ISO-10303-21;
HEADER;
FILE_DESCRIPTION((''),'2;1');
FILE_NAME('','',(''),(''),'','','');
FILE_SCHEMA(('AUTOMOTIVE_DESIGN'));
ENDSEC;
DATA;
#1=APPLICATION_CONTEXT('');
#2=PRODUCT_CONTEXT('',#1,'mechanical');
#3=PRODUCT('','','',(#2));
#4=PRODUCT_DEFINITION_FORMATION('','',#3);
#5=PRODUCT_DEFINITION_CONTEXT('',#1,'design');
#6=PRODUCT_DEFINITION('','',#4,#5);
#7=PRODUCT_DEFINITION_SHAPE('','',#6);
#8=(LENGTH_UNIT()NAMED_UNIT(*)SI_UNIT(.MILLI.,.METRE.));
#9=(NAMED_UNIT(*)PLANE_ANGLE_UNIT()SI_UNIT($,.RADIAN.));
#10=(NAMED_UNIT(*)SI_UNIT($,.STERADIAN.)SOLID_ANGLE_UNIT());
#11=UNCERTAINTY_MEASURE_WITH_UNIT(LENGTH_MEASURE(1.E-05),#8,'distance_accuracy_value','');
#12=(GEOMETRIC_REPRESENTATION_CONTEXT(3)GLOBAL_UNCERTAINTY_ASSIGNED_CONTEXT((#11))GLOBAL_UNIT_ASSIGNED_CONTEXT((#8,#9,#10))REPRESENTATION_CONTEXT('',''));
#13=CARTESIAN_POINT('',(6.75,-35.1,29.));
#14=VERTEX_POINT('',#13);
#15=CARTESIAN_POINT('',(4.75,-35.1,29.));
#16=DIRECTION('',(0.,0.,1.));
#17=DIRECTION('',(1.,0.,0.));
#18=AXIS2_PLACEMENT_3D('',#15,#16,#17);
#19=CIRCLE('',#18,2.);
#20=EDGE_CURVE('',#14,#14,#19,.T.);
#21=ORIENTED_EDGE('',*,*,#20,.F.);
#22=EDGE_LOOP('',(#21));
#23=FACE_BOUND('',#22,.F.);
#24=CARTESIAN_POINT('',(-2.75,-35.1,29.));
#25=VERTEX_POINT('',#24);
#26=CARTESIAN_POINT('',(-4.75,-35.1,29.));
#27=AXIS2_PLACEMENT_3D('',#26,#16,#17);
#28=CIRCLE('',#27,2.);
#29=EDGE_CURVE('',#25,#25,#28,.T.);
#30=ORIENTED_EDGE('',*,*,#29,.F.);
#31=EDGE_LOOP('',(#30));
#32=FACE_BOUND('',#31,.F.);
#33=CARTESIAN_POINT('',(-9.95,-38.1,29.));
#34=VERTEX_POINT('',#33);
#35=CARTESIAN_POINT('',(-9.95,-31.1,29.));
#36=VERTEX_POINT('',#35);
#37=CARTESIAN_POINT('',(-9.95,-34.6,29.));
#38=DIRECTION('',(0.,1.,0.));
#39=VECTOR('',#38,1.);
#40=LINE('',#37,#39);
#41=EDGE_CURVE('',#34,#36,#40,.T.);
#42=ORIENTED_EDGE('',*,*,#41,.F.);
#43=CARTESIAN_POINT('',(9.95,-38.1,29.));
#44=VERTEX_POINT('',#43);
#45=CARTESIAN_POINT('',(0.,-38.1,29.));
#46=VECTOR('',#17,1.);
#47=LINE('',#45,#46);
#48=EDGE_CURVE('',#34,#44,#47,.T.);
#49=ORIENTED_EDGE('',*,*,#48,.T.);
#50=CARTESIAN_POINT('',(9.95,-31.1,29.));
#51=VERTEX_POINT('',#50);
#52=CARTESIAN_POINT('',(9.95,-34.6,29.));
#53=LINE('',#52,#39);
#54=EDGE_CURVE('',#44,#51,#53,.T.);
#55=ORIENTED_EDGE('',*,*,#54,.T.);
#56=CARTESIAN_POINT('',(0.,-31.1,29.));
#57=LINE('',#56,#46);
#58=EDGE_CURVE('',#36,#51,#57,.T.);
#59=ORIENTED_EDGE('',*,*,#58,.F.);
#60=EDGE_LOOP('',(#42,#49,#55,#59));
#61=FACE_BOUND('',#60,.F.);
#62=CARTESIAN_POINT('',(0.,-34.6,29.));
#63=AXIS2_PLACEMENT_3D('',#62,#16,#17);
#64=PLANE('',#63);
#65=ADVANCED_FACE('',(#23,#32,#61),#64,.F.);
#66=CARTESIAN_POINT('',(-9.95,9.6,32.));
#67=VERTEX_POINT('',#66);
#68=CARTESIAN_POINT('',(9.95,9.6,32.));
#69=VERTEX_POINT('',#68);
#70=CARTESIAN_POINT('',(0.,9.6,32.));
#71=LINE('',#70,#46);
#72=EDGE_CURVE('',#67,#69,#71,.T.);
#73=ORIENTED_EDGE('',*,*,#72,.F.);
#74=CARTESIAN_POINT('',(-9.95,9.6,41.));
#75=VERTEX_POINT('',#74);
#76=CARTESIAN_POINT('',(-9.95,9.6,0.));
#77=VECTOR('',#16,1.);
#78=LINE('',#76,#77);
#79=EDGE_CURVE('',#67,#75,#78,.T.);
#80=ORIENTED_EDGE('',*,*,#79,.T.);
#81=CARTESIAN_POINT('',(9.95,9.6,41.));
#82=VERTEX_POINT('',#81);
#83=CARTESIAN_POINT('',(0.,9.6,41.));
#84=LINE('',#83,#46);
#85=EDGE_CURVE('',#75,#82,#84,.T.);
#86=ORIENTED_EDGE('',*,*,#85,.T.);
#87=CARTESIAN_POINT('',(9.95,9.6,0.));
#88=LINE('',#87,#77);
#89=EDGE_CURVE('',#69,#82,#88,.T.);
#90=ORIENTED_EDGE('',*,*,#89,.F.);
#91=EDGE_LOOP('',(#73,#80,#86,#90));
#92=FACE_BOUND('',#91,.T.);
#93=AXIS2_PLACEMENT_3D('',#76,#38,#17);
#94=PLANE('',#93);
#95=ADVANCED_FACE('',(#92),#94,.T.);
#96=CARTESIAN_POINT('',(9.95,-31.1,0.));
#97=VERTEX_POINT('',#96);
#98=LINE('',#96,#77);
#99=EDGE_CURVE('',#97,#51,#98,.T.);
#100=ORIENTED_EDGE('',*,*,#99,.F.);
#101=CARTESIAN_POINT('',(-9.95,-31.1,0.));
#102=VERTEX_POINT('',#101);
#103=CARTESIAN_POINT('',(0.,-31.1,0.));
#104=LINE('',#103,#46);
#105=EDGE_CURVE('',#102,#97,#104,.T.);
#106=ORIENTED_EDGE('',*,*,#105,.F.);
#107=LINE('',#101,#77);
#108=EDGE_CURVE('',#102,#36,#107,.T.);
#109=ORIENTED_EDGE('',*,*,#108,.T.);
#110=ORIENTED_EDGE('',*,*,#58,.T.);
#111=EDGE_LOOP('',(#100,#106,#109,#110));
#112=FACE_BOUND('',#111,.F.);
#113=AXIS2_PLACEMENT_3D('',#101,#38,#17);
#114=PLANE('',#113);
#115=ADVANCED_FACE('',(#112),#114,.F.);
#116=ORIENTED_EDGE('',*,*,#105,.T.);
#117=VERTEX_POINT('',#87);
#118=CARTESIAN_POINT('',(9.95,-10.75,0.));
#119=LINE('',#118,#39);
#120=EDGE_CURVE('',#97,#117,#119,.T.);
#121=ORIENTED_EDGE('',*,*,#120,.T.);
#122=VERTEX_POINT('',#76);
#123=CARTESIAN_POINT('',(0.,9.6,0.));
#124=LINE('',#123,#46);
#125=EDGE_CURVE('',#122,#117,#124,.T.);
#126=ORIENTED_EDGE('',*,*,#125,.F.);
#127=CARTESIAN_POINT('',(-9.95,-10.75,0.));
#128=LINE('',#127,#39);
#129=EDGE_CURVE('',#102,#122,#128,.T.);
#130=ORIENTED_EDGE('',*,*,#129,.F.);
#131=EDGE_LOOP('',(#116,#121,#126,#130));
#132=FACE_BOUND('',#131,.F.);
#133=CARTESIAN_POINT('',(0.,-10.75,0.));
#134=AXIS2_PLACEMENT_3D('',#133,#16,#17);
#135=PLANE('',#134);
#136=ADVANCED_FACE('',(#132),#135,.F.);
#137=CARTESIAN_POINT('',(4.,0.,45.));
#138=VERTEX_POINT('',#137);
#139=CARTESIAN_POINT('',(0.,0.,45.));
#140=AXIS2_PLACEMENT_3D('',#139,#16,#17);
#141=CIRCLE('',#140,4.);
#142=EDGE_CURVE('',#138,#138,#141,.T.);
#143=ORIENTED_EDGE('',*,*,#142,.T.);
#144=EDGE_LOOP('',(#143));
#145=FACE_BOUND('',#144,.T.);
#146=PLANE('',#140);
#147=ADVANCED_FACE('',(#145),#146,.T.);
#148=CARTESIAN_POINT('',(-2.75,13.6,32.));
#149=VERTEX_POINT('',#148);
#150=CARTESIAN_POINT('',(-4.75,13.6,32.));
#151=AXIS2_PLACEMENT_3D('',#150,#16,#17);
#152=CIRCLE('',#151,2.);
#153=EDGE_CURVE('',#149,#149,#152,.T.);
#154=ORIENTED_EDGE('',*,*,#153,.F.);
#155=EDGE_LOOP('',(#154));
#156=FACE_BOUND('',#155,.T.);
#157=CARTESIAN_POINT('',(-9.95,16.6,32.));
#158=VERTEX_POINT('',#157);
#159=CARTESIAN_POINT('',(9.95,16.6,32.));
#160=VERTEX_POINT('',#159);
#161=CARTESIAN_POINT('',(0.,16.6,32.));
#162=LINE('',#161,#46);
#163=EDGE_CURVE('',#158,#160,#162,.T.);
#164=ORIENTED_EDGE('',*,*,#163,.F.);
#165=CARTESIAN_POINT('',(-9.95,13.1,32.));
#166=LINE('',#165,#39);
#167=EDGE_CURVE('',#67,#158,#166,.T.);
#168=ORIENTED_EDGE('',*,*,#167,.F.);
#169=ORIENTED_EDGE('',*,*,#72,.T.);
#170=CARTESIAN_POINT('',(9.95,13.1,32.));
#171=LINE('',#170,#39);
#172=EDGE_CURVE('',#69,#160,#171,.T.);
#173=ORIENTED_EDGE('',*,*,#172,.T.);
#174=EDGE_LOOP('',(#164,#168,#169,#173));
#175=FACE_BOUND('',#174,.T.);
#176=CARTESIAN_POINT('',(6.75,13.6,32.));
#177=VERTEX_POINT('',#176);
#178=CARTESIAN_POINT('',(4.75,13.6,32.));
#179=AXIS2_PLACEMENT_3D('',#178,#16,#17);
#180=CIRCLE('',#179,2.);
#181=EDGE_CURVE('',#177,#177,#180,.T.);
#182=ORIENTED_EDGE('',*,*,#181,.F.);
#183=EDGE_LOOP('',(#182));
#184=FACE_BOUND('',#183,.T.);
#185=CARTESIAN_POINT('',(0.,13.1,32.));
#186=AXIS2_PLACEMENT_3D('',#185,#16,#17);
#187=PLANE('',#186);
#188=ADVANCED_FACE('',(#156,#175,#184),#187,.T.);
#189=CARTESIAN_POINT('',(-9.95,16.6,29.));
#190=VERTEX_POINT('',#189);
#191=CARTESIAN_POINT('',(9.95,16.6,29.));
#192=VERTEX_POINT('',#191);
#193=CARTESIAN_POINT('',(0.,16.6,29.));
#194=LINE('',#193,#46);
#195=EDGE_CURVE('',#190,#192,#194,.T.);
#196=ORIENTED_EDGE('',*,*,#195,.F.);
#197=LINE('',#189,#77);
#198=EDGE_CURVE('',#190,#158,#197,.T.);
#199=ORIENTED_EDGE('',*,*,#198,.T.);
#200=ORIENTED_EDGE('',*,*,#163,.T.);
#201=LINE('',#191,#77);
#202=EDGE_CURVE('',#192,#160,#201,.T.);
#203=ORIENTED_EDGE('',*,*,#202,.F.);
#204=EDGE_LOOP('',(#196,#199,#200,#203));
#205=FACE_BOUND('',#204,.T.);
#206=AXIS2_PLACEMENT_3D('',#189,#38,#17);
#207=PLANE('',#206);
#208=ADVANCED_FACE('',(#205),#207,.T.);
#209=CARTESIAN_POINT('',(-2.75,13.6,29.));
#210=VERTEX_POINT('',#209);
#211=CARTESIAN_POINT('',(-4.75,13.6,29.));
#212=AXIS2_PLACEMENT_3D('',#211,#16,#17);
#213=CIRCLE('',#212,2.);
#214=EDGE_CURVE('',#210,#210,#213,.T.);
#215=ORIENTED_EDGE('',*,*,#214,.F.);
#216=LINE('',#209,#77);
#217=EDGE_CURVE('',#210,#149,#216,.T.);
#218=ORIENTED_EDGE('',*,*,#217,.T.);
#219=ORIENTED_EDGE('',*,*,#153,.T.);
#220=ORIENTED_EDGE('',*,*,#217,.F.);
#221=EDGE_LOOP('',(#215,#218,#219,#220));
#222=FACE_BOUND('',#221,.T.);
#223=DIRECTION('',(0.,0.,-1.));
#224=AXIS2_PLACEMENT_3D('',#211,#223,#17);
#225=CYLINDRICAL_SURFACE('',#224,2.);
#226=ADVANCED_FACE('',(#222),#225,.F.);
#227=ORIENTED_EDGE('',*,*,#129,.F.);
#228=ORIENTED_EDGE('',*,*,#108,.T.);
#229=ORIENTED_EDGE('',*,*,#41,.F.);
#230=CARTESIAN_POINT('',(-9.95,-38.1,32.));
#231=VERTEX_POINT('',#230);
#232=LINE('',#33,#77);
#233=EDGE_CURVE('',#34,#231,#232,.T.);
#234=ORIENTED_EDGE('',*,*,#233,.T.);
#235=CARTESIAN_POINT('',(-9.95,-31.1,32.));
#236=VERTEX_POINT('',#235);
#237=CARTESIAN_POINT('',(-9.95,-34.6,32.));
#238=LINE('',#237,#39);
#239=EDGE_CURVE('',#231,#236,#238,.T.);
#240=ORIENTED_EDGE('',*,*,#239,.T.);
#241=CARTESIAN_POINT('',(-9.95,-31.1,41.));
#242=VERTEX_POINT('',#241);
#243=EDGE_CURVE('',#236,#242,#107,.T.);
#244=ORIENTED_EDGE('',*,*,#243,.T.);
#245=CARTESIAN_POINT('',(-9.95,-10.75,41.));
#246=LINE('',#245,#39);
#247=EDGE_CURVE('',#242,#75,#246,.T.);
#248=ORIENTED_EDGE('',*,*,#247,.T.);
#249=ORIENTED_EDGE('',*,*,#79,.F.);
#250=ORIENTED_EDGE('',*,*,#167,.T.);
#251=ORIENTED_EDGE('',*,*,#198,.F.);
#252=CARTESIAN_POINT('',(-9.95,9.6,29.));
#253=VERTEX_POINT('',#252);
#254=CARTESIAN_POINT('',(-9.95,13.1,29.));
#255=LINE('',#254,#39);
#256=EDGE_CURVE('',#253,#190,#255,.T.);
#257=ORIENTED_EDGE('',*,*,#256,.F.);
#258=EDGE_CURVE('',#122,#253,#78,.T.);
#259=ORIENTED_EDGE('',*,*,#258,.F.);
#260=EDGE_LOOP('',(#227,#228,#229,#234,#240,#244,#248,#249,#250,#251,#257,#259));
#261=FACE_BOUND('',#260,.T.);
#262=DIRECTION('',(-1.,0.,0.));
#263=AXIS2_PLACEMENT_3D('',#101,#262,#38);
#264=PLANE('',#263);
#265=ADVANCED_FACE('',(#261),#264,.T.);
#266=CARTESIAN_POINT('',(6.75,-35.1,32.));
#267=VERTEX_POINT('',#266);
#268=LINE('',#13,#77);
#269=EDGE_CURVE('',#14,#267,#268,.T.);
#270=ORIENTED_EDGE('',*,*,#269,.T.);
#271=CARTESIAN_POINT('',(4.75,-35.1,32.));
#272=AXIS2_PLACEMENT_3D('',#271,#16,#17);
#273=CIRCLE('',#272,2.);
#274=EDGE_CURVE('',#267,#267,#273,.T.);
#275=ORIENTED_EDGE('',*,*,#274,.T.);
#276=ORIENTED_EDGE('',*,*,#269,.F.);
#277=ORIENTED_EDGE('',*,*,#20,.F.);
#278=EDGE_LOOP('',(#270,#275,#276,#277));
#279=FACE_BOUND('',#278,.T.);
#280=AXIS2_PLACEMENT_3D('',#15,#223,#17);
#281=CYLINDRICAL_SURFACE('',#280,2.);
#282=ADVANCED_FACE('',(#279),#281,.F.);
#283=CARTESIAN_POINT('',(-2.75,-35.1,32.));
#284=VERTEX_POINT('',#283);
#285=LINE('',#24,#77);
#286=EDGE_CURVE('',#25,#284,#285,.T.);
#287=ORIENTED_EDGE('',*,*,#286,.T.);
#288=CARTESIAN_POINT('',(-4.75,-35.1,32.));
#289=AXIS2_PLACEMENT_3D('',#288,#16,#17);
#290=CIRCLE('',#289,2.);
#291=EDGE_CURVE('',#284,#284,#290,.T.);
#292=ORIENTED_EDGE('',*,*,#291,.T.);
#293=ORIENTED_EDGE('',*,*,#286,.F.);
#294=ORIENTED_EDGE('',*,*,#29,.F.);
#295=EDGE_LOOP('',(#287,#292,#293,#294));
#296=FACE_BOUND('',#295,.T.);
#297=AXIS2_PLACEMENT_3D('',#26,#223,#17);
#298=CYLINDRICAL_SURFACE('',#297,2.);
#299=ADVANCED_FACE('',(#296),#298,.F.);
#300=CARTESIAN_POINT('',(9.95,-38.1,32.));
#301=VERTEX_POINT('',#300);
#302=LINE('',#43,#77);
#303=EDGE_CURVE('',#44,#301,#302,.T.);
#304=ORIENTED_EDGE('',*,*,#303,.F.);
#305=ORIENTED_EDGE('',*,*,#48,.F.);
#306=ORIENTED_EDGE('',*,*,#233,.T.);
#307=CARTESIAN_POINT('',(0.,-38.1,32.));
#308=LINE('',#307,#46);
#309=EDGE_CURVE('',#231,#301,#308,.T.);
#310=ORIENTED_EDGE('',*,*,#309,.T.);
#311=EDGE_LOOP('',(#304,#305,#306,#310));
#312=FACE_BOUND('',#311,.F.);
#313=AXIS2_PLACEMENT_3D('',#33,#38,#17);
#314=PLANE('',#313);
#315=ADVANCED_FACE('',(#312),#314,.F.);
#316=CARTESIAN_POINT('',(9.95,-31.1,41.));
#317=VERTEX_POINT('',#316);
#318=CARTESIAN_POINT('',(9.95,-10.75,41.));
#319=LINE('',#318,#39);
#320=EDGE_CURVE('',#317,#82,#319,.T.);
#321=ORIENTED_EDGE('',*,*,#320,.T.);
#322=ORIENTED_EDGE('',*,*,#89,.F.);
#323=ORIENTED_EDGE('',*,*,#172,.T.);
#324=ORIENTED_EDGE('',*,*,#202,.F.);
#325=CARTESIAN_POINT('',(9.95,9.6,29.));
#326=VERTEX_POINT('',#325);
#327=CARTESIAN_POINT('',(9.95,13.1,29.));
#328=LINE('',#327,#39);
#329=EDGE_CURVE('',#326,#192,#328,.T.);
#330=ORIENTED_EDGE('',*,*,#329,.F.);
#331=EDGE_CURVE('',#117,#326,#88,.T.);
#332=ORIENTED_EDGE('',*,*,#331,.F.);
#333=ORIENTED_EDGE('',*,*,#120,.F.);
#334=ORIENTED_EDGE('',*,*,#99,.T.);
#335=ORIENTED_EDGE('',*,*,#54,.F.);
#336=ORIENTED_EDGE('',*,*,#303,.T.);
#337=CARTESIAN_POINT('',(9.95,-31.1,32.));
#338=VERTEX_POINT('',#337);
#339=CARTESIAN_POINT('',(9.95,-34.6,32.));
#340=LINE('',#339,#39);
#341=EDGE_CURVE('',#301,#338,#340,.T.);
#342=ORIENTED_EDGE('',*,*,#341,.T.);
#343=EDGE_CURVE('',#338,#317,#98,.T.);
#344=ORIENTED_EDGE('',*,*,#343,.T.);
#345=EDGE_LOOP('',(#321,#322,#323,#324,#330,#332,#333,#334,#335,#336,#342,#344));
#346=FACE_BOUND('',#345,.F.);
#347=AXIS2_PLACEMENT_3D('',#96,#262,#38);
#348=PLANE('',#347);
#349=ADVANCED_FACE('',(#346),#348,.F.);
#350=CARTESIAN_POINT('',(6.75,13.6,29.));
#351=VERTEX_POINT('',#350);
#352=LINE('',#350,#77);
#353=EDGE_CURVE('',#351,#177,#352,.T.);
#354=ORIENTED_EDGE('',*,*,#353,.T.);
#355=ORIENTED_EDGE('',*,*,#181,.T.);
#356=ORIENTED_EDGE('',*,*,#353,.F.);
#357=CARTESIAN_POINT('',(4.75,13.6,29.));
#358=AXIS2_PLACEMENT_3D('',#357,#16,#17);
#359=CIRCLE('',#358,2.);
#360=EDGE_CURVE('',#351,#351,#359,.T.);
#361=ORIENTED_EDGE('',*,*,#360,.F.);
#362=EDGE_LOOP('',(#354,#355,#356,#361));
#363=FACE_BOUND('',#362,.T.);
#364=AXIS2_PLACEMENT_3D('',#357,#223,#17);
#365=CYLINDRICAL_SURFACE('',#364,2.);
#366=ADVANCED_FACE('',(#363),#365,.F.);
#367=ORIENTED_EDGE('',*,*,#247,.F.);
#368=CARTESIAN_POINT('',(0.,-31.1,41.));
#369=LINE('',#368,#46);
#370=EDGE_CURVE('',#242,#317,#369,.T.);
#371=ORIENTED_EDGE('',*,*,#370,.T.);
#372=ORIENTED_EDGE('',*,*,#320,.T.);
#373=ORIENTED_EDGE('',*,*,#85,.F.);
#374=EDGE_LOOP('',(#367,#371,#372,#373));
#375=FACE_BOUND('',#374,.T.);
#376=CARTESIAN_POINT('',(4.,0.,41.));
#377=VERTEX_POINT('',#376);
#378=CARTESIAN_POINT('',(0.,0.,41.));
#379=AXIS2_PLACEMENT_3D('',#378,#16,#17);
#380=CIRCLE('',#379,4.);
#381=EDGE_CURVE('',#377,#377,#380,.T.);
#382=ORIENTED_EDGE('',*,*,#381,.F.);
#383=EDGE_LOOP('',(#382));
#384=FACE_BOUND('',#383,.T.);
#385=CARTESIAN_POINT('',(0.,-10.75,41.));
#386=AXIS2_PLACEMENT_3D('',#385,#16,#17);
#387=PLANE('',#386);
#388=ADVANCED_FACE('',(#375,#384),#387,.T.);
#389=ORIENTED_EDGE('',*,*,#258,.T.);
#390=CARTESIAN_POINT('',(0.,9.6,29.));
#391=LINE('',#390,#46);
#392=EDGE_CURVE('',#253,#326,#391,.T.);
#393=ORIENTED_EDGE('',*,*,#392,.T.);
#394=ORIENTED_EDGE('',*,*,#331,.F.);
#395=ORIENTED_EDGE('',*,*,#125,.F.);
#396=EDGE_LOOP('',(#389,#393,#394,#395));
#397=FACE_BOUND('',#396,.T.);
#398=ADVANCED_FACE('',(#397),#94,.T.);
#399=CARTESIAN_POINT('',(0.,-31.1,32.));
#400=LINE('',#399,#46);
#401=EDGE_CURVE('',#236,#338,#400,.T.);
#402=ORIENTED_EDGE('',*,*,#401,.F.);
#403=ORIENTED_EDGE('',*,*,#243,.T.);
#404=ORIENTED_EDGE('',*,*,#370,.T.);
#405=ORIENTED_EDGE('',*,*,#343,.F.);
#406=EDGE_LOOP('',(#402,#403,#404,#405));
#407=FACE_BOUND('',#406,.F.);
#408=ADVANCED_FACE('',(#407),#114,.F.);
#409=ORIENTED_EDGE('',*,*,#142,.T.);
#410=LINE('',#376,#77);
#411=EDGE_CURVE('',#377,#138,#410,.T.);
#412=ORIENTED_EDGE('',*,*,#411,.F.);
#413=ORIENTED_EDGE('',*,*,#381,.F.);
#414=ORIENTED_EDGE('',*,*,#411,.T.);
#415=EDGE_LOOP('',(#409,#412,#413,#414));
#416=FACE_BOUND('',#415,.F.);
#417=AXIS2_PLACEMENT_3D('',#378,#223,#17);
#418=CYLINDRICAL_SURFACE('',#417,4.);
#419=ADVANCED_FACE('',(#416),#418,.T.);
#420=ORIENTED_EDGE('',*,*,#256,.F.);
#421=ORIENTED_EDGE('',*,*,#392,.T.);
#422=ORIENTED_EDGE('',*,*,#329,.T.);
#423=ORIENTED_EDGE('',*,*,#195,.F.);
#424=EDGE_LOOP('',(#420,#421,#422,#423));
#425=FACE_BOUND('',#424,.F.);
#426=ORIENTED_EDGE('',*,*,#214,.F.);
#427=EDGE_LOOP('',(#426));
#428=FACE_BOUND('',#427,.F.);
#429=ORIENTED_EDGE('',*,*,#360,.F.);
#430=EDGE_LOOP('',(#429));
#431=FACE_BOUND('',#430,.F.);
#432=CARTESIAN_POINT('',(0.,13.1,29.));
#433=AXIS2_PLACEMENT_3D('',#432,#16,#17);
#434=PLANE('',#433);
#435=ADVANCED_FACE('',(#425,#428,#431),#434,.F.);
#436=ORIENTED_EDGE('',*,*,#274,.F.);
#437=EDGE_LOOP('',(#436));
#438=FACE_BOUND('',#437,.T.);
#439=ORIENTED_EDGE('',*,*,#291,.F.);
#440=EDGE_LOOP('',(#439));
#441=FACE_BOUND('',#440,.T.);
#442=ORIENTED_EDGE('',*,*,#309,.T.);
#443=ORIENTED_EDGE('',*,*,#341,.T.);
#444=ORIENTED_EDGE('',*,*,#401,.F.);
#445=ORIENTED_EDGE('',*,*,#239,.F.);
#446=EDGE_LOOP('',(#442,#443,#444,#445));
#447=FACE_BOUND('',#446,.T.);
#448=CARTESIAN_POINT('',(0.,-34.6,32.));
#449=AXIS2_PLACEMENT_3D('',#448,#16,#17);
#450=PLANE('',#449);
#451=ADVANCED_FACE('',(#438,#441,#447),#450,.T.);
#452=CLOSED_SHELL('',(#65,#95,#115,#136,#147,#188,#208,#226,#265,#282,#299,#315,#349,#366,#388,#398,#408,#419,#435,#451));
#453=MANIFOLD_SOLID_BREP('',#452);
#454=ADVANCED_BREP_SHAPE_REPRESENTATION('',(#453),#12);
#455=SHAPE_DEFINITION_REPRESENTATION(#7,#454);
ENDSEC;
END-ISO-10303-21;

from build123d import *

# Parameters (mm, degrees)
F0_W     = 19.9
F0_H     = 40.7
F1_DEPTH = 41
F3_W     = 19.9
F3_H     = 7
F3_R     = 2
F4_DEPTH = 3
F5_R     = 4
F6_DEPTH = 4


with BuildPart() as f1:
    # F0 (on Top) → F1 (new body)
    with BuildSketch(Plane.XY):
        with Locations((0, -10.75)):
            Rectangle(F0_W, F0_H)
    extrude(amount=F1_DEPTH)

    # F3 (on offset) → F4 (join)
    with BuildSketch(Plane.XY.offset(29)):
        with Locations((0, 13.1)):
            Rectangle(F3_W, F3_H)
        with Locations((-4.75, 13.6)):
            Circle(F3_R, mode=Mode.SUBTRACT)
        with Locations((4.75, 13.6)):
            Circle(F3_R, mode=Mode.SUBTRACT)
        with Locations((0, -34.6)):
            Rectangle(F3_W, F3_H)
        with Locations((-4.75, -35.1)):
            Circle(F3_R, mode=Mode.SUBTRACT)
        with Locations((4.75, -35.1)):
            Circle(F3_R, mode=Mode.SUBTRACT)
    extrude(amount=F4_DEPTH)

    # F5 (on face) → F6 (join)
    with BuildSketch(Plane.XY.offset(41)):
        Circle(F5_R)
    extrude(amount=F6_DEPTH)


solid = f1.part
